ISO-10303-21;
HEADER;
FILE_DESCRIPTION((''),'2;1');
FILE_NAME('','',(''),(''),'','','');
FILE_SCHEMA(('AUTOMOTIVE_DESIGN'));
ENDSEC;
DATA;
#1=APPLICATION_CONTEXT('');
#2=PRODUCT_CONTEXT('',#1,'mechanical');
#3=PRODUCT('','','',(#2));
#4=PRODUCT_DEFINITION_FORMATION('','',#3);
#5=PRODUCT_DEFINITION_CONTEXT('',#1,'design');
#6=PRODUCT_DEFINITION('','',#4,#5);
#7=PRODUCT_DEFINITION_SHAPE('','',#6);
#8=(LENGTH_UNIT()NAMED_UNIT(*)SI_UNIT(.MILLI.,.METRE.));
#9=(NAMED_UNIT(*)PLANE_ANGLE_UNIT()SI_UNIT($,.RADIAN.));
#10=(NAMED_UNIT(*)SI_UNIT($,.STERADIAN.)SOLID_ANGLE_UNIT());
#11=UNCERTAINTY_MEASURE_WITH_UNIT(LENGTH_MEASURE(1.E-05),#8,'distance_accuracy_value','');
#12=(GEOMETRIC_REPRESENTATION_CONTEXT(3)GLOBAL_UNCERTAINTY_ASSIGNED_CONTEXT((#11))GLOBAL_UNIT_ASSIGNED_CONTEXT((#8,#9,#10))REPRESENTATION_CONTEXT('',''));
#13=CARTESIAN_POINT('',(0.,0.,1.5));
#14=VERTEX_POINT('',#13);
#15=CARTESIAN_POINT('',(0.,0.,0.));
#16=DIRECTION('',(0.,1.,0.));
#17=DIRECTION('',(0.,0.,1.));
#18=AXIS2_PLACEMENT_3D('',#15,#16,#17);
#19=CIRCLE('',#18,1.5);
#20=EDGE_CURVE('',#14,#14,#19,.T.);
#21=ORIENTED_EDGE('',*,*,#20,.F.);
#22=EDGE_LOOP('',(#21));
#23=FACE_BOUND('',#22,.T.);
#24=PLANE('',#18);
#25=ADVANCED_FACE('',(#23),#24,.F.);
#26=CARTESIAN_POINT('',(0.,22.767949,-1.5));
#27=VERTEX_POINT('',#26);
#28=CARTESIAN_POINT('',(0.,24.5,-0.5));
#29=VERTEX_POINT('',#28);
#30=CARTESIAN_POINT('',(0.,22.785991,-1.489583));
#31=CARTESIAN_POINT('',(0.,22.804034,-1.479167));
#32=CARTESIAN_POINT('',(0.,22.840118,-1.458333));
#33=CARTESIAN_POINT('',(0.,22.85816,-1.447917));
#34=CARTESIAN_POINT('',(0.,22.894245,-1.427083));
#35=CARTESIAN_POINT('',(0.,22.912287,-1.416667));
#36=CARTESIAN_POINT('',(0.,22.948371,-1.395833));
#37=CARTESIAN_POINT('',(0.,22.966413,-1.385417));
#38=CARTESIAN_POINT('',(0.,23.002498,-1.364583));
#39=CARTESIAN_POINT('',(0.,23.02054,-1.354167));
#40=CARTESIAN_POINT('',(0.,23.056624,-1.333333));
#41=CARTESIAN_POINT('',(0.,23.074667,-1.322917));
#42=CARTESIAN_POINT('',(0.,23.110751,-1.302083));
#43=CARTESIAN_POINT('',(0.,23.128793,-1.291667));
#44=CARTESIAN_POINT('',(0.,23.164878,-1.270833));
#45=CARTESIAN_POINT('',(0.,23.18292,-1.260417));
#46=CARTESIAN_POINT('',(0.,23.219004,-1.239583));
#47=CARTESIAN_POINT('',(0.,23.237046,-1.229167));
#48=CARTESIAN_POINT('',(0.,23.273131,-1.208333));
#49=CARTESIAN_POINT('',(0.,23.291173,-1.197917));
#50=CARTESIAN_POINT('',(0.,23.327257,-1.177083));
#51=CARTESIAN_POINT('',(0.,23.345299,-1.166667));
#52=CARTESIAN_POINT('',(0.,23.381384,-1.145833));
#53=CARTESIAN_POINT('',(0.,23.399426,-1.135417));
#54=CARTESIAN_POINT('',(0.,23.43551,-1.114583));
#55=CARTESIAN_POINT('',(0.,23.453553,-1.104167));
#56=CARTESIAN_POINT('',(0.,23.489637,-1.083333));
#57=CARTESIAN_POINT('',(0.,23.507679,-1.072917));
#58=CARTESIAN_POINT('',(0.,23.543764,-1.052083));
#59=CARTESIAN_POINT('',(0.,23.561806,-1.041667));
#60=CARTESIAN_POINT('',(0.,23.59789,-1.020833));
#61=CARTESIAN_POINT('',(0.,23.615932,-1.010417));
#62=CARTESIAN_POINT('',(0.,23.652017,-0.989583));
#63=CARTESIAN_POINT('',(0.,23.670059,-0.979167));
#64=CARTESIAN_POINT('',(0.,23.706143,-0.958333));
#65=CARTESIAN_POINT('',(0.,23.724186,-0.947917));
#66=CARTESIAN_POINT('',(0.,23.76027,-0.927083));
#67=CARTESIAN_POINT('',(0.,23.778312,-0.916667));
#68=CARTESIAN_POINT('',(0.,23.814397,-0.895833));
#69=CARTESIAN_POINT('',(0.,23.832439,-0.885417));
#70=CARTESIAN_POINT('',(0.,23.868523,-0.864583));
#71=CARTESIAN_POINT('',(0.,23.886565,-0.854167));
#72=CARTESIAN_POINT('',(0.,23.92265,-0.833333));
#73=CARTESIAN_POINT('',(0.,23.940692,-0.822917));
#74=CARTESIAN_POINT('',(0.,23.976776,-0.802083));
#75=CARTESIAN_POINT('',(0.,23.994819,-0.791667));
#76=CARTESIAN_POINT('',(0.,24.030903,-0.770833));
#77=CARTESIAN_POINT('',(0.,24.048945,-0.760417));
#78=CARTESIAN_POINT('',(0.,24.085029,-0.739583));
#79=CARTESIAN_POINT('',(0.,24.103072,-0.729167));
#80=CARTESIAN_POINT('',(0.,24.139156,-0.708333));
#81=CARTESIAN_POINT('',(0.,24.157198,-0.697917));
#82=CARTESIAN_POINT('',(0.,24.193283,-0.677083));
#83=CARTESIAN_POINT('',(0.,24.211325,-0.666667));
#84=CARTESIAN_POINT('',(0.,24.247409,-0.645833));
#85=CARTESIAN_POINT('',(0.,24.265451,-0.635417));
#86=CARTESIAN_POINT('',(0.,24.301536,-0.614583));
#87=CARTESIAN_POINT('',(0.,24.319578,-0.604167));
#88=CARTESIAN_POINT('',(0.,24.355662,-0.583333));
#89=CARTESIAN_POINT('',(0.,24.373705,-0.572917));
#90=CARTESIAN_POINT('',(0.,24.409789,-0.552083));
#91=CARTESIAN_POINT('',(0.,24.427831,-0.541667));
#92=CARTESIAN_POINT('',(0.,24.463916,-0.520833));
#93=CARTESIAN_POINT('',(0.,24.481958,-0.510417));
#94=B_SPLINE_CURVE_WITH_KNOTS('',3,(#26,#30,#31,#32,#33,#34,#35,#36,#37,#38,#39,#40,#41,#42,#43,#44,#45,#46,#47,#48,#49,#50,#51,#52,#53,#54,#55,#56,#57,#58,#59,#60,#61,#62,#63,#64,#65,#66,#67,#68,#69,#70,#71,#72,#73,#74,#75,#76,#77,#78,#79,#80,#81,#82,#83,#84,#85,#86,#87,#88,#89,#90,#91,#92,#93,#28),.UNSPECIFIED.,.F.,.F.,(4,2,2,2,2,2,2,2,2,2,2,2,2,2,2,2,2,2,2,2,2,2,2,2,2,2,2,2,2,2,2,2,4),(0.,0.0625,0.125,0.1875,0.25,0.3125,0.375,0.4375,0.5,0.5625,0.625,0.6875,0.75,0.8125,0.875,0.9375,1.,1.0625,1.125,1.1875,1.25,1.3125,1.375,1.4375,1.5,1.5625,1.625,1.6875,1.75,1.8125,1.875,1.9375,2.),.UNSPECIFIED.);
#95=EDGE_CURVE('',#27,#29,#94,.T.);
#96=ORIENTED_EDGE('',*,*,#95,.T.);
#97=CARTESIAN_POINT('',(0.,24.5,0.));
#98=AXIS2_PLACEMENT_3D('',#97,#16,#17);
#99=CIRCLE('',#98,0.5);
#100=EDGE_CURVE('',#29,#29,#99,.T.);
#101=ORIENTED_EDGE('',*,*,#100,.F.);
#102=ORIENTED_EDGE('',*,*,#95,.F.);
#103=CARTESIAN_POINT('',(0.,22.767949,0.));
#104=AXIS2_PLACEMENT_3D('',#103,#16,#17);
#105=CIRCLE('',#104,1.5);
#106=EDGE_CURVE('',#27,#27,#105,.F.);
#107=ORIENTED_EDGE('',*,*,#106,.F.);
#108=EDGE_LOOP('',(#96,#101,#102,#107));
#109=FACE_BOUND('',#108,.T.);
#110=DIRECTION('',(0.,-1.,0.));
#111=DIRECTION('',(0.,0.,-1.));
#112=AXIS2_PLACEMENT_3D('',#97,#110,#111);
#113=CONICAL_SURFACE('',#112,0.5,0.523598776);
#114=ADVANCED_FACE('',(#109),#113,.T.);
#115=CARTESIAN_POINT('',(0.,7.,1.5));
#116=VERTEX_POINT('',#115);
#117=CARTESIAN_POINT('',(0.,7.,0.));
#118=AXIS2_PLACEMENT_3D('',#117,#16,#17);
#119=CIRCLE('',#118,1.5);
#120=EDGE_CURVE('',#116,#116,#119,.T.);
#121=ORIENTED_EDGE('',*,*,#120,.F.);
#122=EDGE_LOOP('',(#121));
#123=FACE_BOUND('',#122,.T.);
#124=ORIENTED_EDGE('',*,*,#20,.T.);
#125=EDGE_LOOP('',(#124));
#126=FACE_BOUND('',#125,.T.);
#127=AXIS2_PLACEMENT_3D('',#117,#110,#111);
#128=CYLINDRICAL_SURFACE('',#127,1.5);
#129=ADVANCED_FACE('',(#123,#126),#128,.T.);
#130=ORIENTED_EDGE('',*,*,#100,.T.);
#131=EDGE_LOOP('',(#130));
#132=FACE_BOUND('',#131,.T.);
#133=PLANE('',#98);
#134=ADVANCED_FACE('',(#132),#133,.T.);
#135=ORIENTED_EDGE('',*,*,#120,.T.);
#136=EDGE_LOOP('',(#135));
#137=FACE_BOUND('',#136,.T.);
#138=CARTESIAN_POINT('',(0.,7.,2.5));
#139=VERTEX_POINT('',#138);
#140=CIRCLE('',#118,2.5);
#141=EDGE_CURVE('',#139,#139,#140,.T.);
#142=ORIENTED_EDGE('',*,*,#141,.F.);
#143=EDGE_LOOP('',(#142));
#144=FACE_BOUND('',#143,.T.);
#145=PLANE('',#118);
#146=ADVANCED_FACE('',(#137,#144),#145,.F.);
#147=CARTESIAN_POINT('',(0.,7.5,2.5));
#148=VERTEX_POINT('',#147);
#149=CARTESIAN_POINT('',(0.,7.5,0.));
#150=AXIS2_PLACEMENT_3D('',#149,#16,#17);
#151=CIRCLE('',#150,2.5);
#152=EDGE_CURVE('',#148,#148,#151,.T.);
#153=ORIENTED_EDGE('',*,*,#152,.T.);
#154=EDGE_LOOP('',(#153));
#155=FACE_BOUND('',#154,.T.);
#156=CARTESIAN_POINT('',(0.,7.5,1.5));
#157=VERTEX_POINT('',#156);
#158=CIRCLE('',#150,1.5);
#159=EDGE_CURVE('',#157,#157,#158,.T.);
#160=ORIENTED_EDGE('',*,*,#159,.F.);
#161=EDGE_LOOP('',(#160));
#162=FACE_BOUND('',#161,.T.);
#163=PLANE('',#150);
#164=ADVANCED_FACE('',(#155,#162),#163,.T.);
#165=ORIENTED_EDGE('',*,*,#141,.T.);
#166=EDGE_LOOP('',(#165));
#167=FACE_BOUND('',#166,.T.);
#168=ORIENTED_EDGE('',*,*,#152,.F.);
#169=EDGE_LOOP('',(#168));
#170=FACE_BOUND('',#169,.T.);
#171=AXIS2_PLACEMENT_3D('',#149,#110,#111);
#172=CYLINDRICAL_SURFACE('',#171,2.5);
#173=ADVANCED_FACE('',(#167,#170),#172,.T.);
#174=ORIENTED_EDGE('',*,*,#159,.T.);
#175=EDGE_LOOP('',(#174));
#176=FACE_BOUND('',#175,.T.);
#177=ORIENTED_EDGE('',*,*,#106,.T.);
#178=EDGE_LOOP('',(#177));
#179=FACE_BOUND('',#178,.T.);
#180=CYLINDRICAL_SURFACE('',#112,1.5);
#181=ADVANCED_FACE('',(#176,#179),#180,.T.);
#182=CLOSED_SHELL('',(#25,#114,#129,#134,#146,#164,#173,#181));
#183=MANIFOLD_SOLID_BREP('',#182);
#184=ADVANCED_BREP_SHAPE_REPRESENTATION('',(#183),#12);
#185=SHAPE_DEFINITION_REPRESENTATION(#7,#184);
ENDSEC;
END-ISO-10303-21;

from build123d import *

# Parameters (mm, degrees)
SKETCH1_R           = 1.5
BOSS_EXTRUDE1_DEPTH = 7
SKETCH2_R           = 2.5
BOSS_EXTRUDE2_DEPTH = 0.5
SKETCH3_R           = 1.5
BOSS_EXTRUDE3_DEPTH = 17
CHAMFER1_SIZE       = 1
CHAMFER1_SIZE2      = 1.732050808


with BuildPart() as part:
    # Sketch1 → Boss-Extrude1 (new body)
    with BuildSketch(Plane(origin=(0, 0, 0), x_dir=(1, 0, 0), z_dir=(0, 1, 0))):
        with Locations(Location((0, 0, 0), (0, 0, 270))):
            Circle(SKETCH1_R)
    extrude(amount=BOSS_EXTRUDE1_DEPTH)

    # Sketch2 → Boss-Extrude2 (add)
    with BuildSketch(Plane(origin=(0, 7, 0), x_dir=(1, 0, 0), z_dir=(0, 1, 0))):
        with Locations(Location((0, 0, 0), (0, 0, 270))):
            Circle(SKETCH2_R)
    extrude(amount=BOSS_EXTRUDE2_DEPTH)

    # Sketch3 → Boss-Extrude3 (add)
    with BuildSketch(Plane(origin=(0, 7.5, 0), x_dir=(1, 0, 0), z_dir=(0, 1, 0))):
        with Locations(Location((0, 0, 0), (0, 0, 270))):
            Circle(SKETCH3_R)
    extrude(amount=BOSS_EXTRUDE3_DEPTH)

    # Chamfer1
    chamfer1_edges = [part.edges().sort_by_distance(p)[0] for p in [
        (0, 24.5, -1.5),
    ]]
    chamfer1_side = [part.faces().sort_by_distance(p)[0] for p in [
        (0, 24.5, 0),
    ]]
    chamfer(chamfer1_edges, length=CHAMFER1_SIZE, length2=CHAMFER1_SIZE2, reference=chamfer1_side[0])


solid = part.part
